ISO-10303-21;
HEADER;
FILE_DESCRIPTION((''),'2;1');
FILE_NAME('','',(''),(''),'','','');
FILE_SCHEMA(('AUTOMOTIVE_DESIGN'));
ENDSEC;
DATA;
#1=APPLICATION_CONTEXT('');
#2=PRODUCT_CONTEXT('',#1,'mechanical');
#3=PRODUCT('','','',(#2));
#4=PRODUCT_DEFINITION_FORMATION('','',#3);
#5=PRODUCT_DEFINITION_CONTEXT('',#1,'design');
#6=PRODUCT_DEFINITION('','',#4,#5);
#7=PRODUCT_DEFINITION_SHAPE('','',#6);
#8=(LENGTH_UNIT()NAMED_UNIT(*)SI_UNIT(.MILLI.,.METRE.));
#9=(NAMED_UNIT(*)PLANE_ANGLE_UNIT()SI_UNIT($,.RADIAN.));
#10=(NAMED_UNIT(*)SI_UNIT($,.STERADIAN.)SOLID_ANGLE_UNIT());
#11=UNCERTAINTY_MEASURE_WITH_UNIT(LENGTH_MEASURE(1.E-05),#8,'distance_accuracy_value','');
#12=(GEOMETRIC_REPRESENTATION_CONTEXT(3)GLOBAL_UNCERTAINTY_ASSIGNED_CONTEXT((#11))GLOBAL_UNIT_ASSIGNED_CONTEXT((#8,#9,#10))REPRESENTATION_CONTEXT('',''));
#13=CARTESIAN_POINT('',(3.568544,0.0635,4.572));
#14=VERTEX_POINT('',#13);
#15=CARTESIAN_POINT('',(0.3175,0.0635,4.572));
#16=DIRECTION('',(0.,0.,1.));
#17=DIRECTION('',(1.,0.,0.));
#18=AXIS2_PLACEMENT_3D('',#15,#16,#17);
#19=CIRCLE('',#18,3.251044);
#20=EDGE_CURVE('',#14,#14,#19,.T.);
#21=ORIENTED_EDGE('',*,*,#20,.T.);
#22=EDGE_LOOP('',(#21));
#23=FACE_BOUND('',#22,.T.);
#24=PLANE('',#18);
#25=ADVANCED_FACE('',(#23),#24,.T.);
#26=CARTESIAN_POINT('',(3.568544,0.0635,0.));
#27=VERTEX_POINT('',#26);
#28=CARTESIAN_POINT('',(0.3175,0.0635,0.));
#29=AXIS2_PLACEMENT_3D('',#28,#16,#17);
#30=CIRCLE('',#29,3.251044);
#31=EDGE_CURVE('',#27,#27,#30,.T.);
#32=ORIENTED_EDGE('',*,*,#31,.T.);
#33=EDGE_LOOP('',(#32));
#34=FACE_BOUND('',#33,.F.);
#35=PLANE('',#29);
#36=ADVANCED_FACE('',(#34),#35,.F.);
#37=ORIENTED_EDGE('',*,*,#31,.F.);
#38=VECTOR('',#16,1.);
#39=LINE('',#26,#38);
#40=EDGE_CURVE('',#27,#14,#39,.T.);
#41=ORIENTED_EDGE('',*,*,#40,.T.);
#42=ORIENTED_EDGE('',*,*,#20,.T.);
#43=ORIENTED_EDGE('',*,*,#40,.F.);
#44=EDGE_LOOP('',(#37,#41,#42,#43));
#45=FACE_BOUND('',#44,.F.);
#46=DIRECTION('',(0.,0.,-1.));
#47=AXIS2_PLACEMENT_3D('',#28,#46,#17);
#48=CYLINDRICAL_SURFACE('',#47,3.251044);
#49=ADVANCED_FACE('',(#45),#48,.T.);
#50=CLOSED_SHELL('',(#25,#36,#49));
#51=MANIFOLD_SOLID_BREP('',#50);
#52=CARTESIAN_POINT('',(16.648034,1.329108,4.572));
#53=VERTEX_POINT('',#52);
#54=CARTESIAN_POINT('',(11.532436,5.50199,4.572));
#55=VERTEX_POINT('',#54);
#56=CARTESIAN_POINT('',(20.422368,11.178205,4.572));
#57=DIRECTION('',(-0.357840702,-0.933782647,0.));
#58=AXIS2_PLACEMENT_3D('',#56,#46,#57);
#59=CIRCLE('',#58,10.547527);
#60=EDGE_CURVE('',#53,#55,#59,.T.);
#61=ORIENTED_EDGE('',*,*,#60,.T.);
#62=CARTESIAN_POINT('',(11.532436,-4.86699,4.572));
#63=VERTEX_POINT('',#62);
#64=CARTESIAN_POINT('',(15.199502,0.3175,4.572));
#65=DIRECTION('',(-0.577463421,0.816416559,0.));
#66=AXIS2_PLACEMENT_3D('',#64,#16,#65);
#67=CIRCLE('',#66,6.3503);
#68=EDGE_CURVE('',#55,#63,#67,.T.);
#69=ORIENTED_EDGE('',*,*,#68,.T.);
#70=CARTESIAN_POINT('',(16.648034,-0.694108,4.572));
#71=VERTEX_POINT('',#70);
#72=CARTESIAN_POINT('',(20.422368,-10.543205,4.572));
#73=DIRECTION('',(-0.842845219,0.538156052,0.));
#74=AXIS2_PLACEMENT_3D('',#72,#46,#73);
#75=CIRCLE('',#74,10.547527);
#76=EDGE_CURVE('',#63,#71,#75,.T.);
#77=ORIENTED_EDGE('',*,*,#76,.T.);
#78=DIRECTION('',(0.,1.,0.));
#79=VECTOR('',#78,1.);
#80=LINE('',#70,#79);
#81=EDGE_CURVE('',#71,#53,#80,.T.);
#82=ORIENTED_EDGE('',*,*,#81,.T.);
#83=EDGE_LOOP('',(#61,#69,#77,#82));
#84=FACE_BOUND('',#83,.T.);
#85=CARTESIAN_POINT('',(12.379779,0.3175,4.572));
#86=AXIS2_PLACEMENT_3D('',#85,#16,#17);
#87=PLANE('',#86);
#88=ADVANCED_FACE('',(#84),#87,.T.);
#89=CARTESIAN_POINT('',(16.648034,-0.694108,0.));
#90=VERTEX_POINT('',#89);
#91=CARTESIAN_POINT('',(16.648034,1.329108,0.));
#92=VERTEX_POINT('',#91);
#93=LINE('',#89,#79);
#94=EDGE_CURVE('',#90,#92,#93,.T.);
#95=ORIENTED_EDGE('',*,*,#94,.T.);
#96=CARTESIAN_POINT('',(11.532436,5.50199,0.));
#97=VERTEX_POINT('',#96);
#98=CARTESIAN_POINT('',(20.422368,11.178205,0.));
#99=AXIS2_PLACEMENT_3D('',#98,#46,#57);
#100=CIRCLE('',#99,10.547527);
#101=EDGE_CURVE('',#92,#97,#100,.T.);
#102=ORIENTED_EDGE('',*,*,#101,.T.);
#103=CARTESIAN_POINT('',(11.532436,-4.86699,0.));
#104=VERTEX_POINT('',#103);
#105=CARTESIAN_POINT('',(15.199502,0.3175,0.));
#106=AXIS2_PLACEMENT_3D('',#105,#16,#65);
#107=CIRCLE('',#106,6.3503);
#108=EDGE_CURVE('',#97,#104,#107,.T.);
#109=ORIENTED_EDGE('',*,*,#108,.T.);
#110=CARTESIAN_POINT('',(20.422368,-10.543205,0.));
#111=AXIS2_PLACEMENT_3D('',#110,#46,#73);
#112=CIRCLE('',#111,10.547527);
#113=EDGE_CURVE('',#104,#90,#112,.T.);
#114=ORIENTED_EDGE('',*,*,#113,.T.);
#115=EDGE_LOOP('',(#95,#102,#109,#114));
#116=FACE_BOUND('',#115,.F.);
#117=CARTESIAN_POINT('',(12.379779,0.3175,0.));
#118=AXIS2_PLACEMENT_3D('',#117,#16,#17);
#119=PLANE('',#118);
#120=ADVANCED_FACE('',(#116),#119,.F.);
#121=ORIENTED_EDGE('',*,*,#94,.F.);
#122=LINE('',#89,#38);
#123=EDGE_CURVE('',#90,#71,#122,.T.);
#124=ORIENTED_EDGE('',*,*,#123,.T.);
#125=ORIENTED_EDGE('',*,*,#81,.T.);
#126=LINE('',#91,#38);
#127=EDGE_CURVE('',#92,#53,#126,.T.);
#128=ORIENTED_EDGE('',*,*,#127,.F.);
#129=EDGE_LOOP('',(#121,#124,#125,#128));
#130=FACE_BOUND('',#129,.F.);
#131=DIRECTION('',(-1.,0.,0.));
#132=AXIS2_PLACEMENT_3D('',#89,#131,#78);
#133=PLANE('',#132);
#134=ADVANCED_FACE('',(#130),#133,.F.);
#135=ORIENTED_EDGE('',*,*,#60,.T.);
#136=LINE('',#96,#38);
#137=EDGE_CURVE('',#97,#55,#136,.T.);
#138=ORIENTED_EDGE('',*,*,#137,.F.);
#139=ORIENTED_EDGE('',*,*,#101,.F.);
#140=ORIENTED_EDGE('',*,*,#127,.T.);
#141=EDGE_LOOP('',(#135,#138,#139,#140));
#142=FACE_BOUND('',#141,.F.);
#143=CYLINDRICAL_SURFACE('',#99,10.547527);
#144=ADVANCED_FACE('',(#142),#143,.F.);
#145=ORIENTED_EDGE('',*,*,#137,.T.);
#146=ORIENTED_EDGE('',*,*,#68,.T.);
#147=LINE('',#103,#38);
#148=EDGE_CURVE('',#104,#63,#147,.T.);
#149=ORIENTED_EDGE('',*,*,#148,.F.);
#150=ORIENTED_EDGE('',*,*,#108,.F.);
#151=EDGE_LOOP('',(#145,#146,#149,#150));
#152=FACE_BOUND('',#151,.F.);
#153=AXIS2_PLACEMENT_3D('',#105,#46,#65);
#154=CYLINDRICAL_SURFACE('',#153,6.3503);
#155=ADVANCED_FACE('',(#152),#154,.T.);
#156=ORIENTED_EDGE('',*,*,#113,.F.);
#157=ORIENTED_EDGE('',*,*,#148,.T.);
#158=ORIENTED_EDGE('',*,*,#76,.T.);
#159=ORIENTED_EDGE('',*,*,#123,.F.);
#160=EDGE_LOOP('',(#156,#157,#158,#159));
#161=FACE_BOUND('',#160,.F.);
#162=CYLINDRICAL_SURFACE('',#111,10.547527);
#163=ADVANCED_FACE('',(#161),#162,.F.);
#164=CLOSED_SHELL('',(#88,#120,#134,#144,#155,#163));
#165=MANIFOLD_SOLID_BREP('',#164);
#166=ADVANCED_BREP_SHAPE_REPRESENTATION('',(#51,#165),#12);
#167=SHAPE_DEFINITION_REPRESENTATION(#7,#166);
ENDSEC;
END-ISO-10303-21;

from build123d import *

# Parameters (mm, degrees)
F0_R     = 3.251044
F1_DEPTH = 4.572


with BuildPart() as f1:
    # F0 (on Top) → F1 (new body)
    with BuildSketch(Plane.XY):
        with Locations((0.3175, 0.0635)):
            Circle(F0_R)
        with BuildLine():
            ThreePointArc((16.648034, 1.329108), (13.755349, 3.005007), (11.532436, 5.50199))
            ThreePointArc((11.532436, 5.50199), (8.849202, 0.3175), (11.532436, -4.86699))
            ThreePointArc((11.532436, -4.86699), (13.755349, -2.370007), (16.648034, -0.694108))
            Line((16.648034, -0.694108), (16.648034, 0.3175))
            Line((16.648034, 0.3175), (16.648034, 1.329108))
        make_face()
    extrude(amount=F1_DEPTH)


solid = f1.part
